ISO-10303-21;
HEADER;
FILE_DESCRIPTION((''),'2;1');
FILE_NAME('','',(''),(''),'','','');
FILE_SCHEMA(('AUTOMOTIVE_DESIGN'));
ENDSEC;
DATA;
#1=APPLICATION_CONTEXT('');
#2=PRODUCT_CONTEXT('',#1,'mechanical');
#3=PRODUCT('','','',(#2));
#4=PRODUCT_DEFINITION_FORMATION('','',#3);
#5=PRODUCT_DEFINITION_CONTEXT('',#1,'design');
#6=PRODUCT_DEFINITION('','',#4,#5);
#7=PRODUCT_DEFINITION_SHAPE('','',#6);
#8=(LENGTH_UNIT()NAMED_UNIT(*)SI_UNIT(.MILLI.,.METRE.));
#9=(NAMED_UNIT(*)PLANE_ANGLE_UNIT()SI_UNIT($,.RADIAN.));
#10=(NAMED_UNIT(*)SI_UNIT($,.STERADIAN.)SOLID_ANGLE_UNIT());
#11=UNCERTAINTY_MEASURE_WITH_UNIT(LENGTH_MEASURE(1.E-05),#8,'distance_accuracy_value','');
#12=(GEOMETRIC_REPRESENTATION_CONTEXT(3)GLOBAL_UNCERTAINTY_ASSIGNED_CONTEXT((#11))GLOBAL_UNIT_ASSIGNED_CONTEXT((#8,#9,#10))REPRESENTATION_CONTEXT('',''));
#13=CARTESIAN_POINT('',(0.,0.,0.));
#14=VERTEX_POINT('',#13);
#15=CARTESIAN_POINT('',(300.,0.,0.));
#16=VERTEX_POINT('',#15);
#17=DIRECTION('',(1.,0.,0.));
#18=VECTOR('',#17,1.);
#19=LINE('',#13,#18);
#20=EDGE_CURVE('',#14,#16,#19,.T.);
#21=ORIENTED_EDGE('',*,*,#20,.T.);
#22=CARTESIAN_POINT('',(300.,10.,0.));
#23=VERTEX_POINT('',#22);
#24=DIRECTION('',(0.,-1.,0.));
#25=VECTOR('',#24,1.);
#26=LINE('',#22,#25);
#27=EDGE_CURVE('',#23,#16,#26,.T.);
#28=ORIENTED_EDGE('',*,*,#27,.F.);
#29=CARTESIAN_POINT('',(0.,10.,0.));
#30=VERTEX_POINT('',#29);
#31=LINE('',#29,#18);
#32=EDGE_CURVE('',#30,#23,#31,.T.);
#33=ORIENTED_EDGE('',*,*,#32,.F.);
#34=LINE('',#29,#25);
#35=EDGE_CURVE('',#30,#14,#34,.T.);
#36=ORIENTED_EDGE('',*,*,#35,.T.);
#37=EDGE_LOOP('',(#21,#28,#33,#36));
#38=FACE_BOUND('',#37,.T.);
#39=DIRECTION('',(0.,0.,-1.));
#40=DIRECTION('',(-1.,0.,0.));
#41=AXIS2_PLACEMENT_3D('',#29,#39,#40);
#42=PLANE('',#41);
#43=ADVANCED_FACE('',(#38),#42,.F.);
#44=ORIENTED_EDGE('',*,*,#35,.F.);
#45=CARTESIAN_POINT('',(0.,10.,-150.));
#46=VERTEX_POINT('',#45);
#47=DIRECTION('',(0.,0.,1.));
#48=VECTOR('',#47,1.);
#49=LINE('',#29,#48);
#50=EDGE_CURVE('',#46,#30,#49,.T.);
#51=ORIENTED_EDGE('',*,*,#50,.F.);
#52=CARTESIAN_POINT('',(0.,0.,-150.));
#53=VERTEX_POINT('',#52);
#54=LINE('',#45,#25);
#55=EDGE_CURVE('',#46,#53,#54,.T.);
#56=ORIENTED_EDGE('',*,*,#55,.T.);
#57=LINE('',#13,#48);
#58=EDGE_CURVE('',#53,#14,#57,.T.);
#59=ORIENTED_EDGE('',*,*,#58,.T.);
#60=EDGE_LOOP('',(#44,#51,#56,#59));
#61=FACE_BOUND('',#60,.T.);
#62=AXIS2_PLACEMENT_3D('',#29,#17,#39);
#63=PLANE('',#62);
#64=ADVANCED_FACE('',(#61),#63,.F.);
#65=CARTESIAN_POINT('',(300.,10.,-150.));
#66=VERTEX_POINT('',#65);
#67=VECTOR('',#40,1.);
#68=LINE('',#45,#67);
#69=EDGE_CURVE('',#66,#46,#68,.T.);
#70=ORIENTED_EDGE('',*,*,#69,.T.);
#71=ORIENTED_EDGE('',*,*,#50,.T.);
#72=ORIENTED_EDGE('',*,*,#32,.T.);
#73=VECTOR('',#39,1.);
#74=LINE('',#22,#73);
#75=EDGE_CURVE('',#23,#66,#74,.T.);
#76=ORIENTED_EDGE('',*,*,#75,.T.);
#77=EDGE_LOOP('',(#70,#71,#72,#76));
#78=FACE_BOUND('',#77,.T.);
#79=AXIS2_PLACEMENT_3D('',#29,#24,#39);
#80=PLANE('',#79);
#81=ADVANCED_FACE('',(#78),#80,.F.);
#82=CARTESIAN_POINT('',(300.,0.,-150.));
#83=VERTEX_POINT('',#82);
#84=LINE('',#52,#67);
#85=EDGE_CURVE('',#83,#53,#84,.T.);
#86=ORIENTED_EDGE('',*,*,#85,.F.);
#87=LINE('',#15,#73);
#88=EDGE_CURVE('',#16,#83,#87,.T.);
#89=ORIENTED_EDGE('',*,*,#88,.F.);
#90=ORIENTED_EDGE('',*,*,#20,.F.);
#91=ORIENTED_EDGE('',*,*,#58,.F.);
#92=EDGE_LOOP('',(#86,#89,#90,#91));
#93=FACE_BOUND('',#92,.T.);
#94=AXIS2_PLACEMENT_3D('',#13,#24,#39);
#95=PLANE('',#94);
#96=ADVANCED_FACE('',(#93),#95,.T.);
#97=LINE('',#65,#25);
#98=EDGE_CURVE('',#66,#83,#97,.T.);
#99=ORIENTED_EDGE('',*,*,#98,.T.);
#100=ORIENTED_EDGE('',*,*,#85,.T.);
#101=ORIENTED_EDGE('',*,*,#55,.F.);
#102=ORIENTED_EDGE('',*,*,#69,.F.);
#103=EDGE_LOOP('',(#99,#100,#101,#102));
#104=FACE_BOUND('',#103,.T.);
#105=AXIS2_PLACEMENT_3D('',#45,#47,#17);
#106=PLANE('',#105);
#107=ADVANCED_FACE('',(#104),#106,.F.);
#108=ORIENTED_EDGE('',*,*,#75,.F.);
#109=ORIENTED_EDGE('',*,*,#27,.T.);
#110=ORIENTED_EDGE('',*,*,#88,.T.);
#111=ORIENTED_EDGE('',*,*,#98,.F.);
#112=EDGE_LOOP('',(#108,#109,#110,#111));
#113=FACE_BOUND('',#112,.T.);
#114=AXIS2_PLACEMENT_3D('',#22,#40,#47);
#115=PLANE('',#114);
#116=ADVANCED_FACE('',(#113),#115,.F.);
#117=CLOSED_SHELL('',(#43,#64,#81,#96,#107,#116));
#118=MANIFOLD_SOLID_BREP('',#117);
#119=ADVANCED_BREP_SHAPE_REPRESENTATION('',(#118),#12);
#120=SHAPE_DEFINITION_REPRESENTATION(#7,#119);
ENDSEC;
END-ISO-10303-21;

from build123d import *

# Parameters (mm, degrees)
SKETCH1_W           = 300
SKETCH1_H           = 150
BOSS_EXTRUDE1_DEPTH = 10


with BuildPart() as part:
    # Sketch1 → Boss-Extrude1 (new body)
    with BuildSketch(Plane(origin=(0, 0, 0), x_dir=(1, 0, 0), z_dir=(0, 1, 0))):
        with Locations((150, 75)):
            Rectangle(SKETCH1_W, SKETCH1_H)
    extrude(amount=BOSS_EXTRUDE1_DEPTH)


solid = part.part
